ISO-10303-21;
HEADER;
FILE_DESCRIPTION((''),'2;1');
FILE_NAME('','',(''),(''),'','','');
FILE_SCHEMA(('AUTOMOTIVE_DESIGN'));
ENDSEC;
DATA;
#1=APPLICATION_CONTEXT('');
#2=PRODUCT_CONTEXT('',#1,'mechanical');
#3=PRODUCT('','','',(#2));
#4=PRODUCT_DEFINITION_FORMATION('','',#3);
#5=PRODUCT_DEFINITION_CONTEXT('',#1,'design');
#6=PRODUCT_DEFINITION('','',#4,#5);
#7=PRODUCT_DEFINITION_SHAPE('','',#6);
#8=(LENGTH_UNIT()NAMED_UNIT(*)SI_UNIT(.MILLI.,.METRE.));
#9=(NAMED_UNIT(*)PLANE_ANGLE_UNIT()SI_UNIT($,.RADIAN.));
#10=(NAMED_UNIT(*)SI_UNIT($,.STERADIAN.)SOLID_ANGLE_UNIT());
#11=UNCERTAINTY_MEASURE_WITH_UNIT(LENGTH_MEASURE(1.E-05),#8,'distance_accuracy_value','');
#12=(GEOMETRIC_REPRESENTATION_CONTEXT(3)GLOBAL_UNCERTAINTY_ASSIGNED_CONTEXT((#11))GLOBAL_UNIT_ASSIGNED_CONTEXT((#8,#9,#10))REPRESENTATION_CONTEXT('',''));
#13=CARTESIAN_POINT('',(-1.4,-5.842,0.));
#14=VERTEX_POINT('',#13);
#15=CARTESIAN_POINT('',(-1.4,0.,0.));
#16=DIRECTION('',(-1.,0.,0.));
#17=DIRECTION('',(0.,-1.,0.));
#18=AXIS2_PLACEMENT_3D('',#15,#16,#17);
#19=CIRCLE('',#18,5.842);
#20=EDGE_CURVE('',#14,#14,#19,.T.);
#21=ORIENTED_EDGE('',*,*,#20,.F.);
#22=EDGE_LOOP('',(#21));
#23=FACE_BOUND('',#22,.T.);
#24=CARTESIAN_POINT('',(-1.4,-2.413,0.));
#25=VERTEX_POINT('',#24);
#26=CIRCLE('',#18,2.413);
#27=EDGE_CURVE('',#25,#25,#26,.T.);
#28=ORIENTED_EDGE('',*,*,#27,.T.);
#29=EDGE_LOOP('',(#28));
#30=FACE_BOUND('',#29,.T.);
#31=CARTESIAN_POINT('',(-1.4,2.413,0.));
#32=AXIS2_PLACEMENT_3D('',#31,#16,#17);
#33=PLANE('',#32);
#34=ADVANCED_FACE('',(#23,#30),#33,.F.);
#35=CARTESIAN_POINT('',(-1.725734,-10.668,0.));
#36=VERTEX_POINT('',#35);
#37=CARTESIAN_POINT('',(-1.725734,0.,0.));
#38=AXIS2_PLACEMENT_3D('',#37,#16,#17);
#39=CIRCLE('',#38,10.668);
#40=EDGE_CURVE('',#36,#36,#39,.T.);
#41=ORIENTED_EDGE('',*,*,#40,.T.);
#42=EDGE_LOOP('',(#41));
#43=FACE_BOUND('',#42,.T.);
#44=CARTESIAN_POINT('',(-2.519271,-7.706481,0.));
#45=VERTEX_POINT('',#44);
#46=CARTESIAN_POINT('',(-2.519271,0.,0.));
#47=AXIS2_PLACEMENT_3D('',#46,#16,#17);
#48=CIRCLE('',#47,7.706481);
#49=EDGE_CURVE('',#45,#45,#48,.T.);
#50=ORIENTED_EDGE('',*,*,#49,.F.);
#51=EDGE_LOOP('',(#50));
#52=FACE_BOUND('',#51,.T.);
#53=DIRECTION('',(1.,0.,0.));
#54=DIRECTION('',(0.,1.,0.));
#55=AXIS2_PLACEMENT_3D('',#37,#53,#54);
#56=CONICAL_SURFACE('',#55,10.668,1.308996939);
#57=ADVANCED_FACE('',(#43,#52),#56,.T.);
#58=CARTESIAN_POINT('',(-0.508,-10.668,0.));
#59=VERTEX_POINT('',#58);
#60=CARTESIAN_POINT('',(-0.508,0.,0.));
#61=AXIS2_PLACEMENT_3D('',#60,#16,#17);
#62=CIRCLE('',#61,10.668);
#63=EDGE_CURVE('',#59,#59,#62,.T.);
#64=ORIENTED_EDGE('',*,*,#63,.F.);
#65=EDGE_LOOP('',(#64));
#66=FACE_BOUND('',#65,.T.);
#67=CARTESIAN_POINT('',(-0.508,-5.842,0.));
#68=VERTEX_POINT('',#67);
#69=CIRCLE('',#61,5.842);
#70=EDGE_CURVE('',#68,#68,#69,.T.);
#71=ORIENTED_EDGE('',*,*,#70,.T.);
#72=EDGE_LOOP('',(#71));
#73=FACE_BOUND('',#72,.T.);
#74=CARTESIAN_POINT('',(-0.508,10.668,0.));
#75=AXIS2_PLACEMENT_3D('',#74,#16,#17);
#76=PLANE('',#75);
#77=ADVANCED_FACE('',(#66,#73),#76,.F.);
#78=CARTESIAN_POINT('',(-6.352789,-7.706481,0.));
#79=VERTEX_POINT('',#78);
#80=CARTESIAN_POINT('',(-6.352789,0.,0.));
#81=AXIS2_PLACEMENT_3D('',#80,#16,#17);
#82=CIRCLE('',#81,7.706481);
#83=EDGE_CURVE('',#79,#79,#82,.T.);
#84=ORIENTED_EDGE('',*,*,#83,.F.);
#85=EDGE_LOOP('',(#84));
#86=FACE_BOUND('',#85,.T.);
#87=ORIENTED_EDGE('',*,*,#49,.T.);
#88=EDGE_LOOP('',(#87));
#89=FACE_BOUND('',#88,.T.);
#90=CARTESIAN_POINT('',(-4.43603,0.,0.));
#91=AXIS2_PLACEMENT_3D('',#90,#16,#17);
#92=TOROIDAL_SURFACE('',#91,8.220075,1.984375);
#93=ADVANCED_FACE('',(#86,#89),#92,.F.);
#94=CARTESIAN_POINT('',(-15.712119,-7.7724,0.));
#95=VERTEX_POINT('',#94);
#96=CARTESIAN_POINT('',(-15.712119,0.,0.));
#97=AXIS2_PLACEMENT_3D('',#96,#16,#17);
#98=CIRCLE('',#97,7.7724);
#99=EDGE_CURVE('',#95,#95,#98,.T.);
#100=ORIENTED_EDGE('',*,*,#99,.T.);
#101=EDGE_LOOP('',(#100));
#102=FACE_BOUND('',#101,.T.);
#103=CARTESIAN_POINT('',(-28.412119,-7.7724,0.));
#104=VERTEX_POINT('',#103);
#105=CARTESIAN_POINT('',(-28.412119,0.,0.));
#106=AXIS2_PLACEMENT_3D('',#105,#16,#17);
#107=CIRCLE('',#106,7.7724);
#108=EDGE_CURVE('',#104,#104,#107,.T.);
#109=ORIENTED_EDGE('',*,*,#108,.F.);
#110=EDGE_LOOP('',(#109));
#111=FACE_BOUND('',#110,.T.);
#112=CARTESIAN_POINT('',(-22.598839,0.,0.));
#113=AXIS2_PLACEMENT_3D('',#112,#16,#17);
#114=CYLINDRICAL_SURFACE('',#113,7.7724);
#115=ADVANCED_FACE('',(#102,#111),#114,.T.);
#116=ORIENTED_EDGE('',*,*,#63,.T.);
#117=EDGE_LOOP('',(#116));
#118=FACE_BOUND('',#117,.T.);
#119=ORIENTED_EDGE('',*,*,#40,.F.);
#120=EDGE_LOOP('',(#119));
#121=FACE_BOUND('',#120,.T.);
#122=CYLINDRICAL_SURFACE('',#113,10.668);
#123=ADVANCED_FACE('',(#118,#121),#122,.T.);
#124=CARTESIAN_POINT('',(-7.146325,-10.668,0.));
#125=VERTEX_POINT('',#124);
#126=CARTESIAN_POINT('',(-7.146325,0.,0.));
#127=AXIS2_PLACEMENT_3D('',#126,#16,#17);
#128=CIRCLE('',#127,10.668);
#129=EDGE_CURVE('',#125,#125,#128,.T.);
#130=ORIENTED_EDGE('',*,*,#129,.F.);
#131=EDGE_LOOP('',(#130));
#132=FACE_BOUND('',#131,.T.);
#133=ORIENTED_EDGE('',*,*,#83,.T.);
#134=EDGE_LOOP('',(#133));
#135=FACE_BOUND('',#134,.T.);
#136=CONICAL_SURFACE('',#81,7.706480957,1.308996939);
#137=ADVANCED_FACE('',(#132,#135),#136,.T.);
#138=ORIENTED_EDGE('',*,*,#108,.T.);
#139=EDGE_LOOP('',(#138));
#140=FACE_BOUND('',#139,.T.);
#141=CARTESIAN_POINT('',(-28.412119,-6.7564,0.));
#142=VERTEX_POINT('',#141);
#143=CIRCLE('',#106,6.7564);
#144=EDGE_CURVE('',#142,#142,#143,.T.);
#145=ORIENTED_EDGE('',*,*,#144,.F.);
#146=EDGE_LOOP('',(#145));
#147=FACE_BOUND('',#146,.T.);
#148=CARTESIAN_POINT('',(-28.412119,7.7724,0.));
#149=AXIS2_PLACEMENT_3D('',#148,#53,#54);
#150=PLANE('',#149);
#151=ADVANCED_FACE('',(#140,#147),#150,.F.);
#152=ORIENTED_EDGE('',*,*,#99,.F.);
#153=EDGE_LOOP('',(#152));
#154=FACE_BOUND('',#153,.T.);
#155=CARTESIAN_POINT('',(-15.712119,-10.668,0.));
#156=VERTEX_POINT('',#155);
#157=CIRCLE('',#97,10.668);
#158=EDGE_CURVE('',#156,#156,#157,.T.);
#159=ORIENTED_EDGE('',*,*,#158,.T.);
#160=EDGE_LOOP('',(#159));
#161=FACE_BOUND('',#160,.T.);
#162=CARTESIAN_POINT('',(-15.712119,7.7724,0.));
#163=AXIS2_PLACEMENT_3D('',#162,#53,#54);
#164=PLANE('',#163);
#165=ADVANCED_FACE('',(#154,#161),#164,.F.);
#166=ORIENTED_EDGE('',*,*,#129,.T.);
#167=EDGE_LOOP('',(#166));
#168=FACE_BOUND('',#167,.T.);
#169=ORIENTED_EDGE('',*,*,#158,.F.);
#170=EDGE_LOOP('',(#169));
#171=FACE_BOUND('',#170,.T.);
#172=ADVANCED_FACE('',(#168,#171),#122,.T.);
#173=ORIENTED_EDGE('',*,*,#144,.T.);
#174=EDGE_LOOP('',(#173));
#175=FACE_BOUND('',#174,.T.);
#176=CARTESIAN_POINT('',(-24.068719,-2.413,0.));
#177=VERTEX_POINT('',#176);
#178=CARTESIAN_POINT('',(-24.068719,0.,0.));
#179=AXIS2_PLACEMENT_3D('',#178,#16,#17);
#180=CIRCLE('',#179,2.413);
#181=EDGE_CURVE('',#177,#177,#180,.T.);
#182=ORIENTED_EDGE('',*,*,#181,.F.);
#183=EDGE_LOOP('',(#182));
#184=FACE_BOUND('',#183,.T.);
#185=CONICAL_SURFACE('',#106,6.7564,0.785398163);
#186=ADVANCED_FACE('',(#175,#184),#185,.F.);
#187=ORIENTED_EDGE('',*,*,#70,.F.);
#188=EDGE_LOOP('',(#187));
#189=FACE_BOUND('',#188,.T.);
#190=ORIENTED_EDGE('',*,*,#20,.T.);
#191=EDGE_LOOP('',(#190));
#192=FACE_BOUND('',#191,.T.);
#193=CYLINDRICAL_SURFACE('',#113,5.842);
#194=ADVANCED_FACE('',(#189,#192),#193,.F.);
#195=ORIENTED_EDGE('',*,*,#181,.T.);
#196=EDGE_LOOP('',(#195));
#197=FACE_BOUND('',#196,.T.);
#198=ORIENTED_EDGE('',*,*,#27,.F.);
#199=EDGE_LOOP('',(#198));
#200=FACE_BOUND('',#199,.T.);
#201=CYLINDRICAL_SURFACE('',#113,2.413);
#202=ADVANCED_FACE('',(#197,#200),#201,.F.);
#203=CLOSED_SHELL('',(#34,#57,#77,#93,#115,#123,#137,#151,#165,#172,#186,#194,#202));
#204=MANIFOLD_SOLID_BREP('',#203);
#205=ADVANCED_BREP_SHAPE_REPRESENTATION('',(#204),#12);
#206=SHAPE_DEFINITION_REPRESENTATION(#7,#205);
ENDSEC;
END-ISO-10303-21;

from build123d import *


with BuildPart() as part:
    # Sketch1 → Revolve1 (revolve)
    with BuildSketch(Plane.XY):
        with BuildLine():
            Line((-2.519270709, 7.706480957), (-1.725734073, 10.668))
            Line((-1.725734073, 10.668), (-0.508, 10.668))
            Line((-0.508, 10.668), (-0.508, 5.842))
            Line((-0.508, 5.842), (-1.4, 5.842))
            Line((-1.4, 5.842), (-1.4, 2.413))
            Line((-1.4, 2.413), (-24.068719082, 2.413))
            Line((-24.068719082, 2.413), (-28.412119082, 6.7564))
            Line((-28.412119082, 6.7564), (-28.412119082, 7.7724))
            Line((-28.412119082, 7.7724), (-15.712119082, 7.7724))
            Line((-15.712119082, 7.7724), (-15.712119082, 10.668))
            Line((-15.712119082, 10.668), (-7.146325468, 10.668))
            Line((-7.146325468, 10.668), (-6.352788832, 7.706480957))
            ThreePointArc((-6.352788832, 7.706480957), (-4.43602977, 6.2357), (-2.519270709, 7.706480957))
        make_face()
    revolve(axis=Axis((-22.598839253, 0, 0), (1, 0, 0)))


solid = part.part
